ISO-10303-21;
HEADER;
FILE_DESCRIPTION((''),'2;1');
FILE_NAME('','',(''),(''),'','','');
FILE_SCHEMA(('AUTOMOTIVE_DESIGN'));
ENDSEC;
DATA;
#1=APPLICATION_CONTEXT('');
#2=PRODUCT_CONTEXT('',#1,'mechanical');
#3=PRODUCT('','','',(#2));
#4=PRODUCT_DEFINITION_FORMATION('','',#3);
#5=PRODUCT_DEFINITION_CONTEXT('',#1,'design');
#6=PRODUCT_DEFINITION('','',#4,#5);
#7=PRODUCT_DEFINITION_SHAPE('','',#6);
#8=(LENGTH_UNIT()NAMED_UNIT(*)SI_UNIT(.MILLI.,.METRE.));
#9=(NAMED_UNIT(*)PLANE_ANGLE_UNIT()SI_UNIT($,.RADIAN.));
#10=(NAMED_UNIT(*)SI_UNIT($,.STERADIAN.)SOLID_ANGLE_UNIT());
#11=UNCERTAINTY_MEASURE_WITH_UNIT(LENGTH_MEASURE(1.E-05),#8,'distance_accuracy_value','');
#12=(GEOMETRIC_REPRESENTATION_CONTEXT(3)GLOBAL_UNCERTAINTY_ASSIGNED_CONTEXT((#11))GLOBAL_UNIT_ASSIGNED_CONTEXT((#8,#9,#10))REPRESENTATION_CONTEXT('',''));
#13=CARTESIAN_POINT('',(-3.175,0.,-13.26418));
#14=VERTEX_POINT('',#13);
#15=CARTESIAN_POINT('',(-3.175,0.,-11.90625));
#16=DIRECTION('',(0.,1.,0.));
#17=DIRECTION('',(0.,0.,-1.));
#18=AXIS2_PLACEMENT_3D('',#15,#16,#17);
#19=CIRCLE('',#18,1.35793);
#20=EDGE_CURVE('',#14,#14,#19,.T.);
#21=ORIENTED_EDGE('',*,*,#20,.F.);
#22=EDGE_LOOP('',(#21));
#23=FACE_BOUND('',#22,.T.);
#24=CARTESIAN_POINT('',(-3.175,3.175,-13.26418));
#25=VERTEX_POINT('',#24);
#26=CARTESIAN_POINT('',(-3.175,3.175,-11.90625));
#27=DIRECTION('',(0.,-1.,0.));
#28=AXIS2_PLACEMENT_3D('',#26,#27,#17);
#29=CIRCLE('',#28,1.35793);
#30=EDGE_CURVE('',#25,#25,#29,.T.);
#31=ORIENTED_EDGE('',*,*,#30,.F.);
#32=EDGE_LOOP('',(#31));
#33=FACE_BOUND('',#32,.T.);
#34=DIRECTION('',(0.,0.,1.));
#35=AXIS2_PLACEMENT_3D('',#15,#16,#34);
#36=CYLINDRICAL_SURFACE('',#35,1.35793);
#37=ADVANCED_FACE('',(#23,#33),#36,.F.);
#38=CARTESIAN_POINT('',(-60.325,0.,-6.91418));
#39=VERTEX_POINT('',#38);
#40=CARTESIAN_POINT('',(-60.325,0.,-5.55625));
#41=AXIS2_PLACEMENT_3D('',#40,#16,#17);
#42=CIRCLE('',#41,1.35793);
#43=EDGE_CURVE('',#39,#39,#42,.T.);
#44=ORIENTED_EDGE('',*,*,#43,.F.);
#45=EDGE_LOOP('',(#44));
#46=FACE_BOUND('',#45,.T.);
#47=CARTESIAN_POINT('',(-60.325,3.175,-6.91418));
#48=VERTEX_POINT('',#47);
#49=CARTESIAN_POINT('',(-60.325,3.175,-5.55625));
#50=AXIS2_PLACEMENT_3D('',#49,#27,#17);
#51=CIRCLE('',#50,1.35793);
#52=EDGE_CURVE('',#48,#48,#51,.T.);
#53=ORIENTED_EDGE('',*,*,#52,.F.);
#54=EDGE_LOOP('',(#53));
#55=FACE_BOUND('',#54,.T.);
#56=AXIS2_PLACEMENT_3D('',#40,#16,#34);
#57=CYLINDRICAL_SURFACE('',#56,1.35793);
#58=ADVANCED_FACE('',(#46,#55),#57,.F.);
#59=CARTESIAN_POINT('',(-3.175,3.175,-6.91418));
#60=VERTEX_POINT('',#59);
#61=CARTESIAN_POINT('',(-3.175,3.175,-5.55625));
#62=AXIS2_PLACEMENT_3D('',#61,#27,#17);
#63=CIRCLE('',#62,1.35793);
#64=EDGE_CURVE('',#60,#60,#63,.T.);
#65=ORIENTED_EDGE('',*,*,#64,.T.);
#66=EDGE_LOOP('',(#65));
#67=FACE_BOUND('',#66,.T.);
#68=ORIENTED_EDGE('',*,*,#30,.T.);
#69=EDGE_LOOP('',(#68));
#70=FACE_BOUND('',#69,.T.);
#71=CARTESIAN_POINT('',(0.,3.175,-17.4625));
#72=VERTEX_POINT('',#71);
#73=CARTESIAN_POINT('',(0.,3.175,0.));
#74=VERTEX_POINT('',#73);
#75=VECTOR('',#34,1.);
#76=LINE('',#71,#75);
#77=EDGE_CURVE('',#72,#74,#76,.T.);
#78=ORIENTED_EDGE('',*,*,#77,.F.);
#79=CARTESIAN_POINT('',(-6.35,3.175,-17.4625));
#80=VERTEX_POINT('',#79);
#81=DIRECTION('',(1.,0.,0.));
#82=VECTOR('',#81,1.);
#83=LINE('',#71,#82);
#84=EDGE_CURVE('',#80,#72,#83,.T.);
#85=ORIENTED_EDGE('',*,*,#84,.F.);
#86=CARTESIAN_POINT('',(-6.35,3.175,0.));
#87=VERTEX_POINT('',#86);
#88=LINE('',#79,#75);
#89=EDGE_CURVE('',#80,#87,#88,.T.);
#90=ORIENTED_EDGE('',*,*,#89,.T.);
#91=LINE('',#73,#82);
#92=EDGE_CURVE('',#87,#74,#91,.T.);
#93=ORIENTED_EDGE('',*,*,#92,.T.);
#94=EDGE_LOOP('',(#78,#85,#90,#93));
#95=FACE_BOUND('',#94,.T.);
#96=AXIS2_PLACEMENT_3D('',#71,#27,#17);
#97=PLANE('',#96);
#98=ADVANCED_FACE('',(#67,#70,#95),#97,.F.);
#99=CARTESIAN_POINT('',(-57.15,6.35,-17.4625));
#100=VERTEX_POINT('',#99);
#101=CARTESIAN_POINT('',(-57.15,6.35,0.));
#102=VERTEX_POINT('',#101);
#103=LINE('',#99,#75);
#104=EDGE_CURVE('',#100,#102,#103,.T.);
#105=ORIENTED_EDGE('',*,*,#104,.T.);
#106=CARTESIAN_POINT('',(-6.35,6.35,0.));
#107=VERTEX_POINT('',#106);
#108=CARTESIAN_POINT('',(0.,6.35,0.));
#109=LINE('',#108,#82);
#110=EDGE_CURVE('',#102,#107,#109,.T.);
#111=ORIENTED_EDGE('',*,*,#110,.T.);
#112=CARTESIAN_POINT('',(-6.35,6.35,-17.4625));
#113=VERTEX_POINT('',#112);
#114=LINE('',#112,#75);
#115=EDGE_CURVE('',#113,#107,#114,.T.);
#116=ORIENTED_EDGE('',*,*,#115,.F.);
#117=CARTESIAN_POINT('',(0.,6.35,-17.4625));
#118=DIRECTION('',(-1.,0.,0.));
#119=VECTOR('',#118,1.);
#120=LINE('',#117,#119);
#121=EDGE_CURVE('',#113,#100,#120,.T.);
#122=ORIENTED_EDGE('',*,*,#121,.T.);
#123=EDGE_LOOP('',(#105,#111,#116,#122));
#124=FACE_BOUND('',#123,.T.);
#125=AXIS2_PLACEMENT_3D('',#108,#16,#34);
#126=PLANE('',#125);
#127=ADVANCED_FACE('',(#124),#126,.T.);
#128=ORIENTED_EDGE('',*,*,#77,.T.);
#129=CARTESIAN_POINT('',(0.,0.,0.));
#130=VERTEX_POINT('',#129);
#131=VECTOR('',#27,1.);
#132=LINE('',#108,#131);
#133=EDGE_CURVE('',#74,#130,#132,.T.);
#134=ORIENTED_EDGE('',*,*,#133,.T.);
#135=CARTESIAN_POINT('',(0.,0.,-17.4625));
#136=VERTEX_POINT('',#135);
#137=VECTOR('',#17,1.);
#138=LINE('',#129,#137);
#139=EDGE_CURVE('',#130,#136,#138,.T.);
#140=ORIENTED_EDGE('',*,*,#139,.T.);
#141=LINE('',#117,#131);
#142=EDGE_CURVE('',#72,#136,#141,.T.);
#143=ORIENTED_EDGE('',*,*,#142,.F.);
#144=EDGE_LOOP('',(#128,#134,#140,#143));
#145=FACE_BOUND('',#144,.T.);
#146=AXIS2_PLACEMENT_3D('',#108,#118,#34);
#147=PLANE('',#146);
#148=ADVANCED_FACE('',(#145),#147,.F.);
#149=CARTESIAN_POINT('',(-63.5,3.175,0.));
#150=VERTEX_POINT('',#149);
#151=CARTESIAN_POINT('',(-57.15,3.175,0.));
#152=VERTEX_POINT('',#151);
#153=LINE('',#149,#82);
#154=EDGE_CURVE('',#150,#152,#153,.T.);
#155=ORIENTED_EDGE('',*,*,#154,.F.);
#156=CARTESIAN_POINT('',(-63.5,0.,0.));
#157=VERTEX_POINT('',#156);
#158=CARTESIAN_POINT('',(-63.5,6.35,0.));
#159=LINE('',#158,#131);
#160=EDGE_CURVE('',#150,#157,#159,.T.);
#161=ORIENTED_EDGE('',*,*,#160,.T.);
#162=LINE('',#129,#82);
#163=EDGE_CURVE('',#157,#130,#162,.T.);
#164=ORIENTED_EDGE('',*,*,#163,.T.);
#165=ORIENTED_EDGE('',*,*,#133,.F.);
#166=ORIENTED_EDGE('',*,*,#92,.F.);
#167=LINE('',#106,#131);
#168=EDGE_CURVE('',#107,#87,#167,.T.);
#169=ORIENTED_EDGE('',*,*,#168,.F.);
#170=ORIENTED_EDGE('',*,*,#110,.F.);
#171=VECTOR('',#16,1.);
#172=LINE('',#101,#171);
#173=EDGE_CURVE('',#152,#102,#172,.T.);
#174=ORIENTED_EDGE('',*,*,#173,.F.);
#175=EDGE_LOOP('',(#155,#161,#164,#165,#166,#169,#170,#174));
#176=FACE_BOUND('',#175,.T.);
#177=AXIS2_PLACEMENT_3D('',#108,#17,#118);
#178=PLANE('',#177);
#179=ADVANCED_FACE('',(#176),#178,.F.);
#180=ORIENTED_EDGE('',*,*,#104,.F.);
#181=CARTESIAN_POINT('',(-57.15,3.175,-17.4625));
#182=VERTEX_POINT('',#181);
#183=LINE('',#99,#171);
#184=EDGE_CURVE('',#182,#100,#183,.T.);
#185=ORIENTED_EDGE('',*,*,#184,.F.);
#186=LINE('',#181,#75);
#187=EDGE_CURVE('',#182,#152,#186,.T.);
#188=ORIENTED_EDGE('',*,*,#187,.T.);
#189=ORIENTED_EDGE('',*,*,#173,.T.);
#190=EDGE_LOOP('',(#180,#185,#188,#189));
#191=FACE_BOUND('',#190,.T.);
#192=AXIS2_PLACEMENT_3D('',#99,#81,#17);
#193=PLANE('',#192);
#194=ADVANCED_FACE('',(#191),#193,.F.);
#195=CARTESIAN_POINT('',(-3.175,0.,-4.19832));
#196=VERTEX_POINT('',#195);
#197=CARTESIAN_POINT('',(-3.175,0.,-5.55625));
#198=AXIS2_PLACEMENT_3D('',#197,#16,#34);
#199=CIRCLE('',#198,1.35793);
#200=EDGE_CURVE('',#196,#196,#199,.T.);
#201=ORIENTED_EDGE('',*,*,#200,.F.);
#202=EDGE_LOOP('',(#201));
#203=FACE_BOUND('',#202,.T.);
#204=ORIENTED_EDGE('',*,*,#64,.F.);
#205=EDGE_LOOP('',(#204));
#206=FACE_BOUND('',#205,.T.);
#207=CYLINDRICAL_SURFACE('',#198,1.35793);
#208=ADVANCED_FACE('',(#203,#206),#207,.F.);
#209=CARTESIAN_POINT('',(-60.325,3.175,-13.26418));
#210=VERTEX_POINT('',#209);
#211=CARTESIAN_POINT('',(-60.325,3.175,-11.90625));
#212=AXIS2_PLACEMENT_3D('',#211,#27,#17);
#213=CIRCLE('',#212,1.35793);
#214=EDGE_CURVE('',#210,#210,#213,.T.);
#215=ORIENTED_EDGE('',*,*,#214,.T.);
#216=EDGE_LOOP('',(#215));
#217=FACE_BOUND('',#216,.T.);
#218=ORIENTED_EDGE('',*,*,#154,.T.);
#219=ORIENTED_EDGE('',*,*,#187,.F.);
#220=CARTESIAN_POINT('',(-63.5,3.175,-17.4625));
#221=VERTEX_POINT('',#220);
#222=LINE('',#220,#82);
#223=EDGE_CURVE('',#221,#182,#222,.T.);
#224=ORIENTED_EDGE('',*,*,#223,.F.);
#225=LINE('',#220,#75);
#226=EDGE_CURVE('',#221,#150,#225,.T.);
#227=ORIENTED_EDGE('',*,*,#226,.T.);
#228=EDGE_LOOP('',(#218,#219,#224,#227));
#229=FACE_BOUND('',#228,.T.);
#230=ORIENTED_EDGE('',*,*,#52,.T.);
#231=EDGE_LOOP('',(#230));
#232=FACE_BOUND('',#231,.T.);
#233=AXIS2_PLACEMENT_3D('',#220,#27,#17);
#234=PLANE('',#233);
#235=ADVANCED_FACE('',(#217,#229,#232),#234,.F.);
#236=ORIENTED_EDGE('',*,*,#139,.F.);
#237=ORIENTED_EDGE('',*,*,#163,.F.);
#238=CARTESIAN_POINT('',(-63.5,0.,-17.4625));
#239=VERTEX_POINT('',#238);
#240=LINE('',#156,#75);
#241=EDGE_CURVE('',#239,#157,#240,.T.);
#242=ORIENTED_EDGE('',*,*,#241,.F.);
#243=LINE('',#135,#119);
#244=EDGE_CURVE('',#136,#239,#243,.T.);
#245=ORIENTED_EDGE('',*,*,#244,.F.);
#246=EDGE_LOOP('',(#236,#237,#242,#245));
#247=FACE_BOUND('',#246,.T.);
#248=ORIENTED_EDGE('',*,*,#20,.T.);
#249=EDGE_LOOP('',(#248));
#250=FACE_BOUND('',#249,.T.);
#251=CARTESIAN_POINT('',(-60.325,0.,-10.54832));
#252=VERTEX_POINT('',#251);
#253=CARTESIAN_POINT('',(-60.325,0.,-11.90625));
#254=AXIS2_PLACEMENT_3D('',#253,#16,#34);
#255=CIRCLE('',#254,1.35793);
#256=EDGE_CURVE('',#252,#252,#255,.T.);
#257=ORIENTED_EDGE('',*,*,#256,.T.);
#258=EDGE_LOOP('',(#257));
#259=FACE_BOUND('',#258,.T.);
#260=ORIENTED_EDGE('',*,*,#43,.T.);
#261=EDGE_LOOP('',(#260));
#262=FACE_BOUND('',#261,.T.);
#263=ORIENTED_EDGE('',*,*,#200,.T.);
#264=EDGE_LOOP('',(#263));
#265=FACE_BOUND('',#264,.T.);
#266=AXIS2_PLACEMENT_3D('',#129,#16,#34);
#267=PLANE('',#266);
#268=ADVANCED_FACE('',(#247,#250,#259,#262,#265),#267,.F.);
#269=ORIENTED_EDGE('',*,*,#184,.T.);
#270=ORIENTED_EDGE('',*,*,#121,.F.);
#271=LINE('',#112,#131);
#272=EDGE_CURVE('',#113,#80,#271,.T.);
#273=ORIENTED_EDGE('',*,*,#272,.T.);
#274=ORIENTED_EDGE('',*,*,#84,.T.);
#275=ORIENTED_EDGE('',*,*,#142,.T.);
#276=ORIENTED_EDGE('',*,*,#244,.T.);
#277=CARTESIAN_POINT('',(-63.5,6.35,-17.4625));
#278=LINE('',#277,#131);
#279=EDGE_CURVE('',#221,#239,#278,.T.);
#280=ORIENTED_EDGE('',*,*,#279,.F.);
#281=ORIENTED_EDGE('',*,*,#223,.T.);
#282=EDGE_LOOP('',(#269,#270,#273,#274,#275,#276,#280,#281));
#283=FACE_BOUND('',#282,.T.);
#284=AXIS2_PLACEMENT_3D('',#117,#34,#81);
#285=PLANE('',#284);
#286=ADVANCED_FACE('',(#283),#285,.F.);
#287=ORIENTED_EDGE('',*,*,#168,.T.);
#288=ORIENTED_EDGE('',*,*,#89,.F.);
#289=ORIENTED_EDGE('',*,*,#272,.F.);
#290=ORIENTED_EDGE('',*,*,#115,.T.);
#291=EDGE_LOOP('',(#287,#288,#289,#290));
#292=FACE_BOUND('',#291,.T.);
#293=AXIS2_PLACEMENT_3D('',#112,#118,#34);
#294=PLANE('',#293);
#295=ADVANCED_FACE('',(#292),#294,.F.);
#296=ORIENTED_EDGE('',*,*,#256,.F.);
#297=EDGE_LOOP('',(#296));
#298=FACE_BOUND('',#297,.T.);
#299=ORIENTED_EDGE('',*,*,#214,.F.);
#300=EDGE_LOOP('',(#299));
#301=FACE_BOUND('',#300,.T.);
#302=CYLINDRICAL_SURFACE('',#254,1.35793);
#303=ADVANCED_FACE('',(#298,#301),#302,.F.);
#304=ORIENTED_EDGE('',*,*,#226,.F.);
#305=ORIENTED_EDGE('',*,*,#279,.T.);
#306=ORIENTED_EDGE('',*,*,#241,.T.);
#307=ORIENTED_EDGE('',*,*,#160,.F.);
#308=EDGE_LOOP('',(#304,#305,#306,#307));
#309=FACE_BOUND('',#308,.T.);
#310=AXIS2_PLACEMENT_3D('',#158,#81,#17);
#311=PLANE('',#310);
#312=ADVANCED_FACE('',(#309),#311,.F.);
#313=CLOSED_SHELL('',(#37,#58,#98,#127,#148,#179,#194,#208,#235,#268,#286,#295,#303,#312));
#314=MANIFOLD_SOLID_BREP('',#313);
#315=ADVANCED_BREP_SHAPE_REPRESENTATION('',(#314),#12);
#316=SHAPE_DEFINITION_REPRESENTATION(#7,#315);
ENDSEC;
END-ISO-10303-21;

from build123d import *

# Parameters (mm, degrees)
SKETCH1_W           = 63.5
SKETCH1_H           = 17.4625
BOSS_EXTRUDE1_DEPTH = 6.35
SKETCH2_W           = 6.35
SKETCH2_H           = 3.175
CUT_EXTRUDE1_DEPTH  = 67.1627645
SKETCH3_R           = 1.357929869
CUT_EXTRUDE2_DEPTH  = 67.1627645


with BuildPart() as part:
    # Sketch1 → Boss-Extrude1 (new body)
    with BuildSketch(Plane(origin=(0, 0, 0), x_dir=(1, 0, 0), z_dir=(0, 1, 0))):
        with Locations((-31.75, 8.73125)):
            Rectangle(SKETCH1_W, SKETCH1_H)
    extrude(amount=BOSS_EXTRUDE1_DEPTH)

    # Sketch2 → Cut-Extrude1 (cut, through all)
    with BuildSketch(Plane.XY):
        with Locations((-3.175, 4.7625)):
            Rectangle(SKETCH2_W, SKETCH2_H)
        with Locations((-60.325, 4.7625)):
            Rectangle(SKETCH2_W, SKETCH2_H)
    extrude(amount=-CUT_EXTRUDE1_DEPTH, mode=Mode.SUBTRACT)

    # Sketch3 → Cut-Extrude2 (cut, through all)
    with BuildSketch(Plane(origin=(0, 6.35, 0), x_dir=(1, 0, 0), z_dir=(0, 1, 0))):
        with Locations(Location((-60.325, 11.90625, 0), (0, 0, 270))):
            Circle(SKETCH3_R)
        with Locations(Location((-60.325, 5.55625, 0), (0, 0, 90))):
            Circle(SKETCH3_R)
        with Locations(Location((-3.175, 5.55625, 0), (0, 0, 270))):
            Circle(SKETCH3_R)
        with Locations(Location((-3.175, 11.90625, 0), (0, 0, 90))):
            Circle(SKETCH3_R)
    extrude(amount=-CUT_EXTRUDE2_DEPTH, mode=Mode.SUBTRACT)


solid = part.part
